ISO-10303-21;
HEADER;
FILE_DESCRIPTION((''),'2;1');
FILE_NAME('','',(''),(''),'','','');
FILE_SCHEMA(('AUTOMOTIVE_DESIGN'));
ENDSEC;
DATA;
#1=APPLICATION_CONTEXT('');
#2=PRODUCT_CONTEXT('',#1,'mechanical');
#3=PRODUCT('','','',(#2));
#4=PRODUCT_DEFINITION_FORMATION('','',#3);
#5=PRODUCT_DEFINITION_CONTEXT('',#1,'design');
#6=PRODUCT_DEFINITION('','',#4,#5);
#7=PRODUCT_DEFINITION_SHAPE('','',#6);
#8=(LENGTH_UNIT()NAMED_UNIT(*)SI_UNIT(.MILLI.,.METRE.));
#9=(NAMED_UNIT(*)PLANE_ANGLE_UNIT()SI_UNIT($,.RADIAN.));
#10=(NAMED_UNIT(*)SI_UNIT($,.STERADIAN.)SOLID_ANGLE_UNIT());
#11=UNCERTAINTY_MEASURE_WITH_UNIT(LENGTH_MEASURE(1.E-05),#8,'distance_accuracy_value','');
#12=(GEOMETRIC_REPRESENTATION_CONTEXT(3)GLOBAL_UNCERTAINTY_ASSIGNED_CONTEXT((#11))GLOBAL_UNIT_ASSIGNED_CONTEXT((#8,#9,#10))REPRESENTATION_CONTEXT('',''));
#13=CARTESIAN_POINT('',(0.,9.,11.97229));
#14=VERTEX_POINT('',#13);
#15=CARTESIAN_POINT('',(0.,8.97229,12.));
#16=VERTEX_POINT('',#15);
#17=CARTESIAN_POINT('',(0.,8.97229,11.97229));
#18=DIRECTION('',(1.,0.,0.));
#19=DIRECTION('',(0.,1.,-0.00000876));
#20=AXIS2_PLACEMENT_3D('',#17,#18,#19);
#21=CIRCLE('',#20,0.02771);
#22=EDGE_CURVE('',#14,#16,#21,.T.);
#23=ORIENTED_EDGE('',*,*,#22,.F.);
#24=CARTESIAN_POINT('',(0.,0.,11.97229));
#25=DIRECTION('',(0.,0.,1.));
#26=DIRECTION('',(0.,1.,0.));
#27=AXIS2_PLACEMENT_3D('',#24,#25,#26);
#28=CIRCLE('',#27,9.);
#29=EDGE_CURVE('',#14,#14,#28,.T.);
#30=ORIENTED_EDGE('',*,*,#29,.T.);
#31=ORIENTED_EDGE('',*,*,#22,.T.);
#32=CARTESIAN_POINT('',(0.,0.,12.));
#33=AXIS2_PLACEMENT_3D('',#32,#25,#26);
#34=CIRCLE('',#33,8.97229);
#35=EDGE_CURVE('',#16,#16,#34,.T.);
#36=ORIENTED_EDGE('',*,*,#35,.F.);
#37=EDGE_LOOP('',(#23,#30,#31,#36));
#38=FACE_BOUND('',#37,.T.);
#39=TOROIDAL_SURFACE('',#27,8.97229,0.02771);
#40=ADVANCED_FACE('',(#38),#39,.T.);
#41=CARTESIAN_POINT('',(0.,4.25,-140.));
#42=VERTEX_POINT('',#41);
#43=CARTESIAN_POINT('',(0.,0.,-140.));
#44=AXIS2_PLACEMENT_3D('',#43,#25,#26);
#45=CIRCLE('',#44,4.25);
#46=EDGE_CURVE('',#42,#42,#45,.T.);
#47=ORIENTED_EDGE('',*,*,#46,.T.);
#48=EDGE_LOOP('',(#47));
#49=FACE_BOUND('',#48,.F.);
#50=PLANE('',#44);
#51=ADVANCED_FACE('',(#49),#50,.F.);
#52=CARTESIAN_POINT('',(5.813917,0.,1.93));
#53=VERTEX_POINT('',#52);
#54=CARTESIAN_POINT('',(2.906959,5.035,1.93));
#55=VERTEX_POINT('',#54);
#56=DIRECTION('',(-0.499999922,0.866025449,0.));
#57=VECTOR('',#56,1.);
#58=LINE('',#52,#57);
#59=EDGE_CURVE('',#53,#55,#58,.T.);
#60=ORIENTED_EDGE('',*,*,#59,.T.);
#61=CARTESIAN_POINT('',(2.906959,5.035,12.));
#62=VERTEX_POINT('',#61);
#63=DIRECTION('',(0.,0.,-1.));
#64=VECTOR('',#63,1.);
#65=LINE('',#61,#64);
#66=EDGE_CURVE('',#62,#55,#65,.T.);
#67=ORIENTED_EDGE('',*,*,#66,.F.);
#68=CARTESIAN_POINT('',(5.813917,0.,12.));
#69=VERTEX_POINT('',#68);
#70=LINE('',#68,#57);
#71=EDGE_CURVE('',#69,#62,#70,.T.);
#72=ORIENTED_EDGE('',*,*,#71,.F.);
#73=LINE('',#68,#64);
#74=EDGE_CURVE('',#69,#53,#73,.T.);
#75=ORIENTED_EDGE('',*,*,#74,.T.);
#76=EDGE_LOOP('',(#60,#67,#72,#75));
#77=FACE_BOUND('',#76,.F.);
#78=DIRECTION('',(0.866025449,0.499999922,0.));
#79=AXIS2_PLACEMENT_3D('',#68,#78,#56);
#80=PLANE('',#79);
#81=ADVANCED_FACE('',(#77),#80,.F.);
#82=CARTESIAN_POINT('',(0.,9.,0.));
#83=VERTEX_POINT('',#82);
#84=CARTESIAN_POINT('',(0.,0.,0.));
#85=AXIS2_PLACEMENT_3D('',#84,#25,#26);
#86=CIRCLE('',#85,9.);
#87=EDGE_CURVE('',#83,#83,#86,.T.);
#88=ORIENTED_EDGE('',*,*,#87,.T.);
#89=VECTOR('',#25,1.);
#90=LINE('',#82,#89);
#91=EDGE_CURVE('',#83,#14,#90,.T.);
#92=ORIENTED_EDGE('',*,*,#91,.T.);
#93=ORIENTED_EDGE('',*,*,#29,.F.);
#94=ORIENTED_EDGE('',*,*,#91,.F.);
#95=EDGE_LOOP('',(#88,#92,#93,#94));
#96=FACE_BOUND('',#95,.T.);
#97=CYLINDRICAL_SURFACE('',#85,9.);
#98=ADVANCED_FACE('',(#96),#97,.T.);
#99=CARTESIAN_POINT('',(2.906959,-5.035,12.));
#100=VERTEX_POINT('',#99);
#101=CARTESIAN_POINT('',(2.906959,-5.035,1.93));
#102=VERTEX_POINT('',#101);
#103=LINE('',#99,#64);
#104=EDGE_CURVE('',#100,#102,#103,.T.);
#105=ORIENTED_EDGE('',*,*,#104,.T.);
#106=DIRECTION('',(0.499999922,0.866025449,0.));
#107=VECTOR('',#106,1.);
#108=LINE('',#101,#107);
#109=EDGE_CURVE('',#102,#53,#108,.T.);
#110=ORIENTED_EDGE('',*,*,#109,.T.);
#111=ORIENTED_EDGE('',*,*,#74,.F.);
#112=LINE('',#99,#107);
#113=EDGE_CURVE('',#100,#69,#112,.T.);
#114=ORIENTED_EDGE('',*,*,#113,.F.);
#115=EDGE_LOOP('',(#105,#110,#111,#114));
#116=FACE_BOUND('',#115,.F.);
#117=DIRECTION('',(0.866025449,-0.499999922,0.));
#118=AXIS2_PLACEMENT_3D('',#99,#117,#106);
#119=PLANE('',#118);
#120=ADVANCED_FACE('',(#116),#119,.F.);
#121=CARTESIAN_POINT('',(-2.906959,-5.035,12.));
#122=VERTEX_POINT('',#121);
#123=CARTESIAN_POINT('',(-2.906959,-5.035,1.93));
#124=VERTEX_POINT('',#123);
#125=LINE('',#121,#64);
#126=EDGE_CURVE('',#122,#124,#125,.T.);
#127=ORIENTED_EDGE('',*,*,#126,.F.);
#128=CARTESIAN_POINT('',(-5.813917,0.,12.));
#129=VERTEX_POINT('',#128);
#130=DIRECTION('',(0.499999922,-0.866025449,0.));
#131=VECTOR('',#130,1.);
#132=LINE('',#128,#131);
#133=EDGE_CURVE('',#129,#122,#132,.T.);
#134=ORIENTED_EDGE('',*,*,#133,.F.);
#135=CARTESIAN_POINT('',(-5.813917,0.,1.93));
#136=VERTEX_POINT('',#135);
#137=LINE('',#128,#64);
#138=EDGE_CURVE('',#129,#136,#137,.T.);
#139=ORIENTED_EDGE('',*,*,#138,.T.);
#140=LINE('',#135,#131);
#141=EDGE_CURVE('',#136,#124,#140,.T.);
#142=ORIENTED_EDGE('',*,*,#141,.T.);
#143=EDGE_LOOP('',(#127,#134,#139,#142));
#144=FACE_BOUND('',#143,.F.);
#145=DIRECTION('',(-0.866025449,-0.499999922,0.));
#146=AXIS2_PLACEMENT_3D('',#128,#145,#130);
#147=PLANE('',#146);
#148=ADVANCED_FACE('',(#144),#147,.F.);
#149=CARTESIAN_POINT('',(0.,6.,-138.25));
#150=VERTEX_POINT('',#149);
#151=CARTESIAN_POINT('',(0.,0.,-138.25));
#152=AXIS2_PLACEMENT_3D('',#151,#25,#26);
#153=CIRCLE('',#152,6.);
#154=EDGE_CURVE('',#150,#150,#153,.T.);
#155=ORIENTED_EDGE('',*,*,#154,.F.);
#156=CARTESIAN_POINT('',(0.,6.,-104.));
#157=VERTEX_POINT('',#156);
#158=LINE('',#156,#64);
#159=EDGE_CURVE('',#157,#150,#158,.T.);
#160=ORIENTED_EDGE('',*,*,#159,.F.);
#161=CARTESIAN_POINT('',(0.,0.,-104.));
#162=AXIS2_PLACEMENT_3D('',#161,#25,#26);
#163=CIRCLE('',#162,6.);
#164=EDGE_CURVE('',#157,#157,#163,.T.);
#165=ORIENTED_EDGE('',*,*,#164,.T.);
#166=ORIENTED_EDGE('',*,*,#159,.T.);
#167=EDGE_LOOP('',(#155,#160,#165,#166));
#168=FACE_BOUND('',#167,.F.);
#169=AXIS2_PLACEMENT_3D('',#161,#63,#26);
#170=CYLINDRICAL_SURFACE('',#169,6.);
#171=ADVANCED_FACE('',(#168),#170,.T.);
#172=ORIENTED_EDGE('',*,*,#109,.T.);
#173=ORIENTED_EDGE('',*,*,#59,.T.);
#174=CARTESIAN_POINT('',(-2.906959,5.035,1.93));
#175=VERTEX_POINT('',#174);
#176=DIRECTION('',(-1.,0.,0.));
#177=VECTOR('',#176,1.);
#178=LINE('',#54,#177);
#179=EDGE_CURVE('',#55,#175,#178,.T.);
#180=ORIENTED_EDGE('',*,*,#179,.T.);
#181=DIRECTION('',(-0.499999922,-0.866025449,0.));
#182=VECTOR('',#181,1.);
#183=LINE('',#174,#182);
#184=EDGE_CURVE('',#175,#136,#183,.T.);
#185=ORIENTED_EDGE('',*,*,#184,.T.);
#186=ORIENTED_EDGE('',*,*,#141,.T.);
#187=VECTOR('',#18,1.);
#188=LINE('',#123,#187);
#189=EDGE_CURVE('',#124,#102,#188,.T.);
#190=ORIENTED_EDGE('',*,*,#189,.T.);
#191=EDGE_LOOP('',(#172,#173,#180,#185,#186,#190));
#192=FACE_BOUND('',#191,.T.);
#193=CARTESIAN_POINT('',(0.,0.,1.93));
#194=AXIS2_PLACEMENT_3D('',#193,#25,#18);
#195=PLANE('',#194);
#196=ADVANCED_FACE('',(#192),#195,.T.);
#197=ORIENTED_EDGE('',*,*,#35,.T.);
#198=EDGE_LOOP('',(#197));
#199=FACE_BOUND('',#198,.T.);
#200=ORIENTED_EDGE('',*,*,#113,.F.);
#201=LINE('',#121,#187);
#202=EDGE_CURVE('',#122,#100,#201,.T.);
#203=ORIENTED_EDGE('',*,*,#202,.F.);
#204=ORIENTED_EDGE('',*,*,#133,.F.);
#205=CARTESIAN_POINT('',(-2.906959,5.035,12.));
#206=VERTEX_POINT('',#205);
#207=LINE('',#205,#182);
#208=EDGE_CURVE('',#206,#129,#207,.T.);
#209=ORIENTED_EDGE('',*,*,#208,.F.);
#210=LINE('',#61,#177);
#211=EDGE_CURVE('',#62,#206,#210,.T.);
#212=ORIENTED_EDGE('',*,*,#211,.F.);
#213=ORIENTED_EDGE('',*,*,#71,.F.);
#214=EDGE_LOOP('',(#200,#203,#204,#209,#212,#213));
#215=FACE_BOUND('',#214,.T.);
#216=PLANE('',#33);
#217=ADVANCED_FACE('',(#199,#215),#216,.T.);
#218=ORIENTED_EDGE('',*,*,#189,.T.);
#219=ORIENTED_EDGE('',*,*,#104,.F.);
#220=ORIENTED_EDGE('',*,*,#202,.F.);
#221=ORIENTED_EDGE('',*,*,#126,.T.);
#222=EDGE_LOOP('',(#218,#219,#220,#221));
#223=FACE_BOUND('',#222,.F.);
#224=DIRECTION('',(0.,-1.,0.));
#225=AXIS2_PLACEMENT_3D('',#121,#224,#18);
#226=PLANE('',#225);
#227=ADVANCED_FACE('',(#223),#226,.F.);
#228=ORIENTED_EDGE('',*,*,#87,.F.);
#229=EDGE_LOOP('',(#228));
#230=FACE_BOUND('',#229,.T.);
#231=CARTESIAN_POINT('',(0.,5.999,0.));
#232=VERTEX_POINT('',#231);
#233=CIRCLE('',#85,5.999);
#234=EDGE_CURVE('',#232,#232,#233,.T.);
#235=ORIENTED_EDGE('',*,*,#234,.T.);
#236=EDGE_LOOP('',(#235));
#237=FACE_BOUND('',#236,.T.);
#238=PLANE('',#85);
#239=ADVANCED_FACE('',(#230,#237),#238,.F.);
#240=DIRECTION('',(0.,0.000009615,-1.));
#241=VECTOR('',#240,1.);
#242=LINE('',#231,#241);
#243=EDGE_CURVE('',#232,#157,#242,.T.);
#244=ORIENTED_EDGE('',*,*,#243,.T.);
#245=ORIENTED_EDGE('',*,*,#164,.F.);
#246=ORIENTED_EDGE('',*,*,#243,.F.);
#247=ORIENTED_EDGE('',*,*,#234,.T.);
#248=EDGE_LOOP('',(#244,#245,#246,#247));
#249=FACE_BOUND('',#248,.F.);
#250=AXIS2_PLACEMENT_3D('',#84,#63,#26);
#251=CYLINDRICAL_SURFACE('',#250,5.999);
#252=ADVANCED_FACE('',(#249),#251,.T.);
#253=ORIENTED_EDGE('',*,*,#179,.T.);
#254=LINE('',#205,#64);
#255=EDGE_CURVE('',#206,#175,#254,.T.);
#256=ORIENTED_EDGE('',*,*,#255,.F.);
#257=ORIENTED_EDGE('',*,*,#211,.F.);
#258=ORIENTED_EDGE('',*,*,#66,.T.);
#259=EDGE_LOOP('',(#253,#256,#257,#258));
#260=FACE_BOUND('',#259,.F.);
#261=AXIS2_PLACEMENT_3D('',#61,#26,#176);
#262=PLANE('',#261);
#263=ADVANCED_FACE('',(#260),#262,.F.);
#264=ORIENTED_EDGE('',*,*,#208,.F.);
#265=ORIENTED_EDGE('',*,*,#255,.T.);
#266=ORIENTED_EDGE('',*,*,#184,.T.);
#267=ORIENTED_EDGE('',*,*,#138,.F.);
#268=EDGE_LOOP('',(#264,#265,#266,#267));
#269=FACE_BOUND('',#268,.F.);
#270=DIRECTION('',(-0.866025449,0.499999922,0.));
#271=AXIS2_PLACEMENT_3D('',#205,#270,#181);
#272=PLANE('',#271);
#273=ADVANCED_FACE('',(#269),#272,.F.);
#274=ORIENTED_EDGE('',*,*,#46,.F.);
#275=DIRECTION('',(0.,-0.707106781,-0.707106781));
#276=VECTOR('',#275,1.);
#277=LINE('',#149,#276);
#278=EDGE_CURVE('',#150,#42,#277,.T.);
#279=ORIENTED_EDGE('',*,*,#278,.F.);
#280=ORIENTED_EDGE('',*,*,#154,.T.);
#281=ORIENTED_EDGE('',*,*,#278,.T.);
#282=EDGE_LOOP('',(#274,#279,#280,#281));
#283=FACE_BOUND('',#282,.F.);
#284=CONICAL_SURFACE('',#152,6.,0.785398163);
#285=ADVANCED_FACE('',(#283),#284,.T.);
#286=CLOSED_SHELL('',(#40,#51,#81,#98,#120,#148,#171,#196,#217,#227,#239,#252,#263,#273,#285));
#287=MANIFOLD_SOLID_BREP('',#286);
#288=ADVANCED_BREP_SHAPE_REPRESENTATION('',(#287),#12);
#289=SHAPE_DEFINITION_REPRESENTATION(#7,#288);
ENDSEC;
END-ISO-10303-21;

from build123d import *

# Parameters (mm, degrees)
POCKET_DEPTH = 10.07


with BuildPart() as part:
    # Sketch → Revolve (revolve)
    with BuildSketch(Plane.YZ):
        with BuildLine():
            Line((5.999, 0), (9, 0))
            Line((9, 0), (9, 11.97229))
            ThreePointArc((9, 11.97229), (8.991884, 11.991884), (8.97229, 12))
            Line((8.97229, 12), (0, 12))
            Line((0, -140), (0, 12))
            Line((4.25, -140), (0, -140))
            Line((6, -138.25), (4.25, -140))
            Line((6, -104), (6, -138.25))
            Line((5.999, 0), (6, -104))
        make_face()
    revolve(axis=Axis((0, 0, 0), (0, 0, 1)))

    # Sketch001 → Pocket (cut)
    with BuildSketch(Plane.XY.offset(12)):
        Polygon((5.813917, 0), (2.906959, 5.035), (-2.906959, 5.035), (-5.813917, 0), (-2.906959, -5.035), (2.906959, -5.035), align=None)
    extrude(amount=-POCKET_DEPTH, mode=Mode.SUBTRACT)


solid = part.part
